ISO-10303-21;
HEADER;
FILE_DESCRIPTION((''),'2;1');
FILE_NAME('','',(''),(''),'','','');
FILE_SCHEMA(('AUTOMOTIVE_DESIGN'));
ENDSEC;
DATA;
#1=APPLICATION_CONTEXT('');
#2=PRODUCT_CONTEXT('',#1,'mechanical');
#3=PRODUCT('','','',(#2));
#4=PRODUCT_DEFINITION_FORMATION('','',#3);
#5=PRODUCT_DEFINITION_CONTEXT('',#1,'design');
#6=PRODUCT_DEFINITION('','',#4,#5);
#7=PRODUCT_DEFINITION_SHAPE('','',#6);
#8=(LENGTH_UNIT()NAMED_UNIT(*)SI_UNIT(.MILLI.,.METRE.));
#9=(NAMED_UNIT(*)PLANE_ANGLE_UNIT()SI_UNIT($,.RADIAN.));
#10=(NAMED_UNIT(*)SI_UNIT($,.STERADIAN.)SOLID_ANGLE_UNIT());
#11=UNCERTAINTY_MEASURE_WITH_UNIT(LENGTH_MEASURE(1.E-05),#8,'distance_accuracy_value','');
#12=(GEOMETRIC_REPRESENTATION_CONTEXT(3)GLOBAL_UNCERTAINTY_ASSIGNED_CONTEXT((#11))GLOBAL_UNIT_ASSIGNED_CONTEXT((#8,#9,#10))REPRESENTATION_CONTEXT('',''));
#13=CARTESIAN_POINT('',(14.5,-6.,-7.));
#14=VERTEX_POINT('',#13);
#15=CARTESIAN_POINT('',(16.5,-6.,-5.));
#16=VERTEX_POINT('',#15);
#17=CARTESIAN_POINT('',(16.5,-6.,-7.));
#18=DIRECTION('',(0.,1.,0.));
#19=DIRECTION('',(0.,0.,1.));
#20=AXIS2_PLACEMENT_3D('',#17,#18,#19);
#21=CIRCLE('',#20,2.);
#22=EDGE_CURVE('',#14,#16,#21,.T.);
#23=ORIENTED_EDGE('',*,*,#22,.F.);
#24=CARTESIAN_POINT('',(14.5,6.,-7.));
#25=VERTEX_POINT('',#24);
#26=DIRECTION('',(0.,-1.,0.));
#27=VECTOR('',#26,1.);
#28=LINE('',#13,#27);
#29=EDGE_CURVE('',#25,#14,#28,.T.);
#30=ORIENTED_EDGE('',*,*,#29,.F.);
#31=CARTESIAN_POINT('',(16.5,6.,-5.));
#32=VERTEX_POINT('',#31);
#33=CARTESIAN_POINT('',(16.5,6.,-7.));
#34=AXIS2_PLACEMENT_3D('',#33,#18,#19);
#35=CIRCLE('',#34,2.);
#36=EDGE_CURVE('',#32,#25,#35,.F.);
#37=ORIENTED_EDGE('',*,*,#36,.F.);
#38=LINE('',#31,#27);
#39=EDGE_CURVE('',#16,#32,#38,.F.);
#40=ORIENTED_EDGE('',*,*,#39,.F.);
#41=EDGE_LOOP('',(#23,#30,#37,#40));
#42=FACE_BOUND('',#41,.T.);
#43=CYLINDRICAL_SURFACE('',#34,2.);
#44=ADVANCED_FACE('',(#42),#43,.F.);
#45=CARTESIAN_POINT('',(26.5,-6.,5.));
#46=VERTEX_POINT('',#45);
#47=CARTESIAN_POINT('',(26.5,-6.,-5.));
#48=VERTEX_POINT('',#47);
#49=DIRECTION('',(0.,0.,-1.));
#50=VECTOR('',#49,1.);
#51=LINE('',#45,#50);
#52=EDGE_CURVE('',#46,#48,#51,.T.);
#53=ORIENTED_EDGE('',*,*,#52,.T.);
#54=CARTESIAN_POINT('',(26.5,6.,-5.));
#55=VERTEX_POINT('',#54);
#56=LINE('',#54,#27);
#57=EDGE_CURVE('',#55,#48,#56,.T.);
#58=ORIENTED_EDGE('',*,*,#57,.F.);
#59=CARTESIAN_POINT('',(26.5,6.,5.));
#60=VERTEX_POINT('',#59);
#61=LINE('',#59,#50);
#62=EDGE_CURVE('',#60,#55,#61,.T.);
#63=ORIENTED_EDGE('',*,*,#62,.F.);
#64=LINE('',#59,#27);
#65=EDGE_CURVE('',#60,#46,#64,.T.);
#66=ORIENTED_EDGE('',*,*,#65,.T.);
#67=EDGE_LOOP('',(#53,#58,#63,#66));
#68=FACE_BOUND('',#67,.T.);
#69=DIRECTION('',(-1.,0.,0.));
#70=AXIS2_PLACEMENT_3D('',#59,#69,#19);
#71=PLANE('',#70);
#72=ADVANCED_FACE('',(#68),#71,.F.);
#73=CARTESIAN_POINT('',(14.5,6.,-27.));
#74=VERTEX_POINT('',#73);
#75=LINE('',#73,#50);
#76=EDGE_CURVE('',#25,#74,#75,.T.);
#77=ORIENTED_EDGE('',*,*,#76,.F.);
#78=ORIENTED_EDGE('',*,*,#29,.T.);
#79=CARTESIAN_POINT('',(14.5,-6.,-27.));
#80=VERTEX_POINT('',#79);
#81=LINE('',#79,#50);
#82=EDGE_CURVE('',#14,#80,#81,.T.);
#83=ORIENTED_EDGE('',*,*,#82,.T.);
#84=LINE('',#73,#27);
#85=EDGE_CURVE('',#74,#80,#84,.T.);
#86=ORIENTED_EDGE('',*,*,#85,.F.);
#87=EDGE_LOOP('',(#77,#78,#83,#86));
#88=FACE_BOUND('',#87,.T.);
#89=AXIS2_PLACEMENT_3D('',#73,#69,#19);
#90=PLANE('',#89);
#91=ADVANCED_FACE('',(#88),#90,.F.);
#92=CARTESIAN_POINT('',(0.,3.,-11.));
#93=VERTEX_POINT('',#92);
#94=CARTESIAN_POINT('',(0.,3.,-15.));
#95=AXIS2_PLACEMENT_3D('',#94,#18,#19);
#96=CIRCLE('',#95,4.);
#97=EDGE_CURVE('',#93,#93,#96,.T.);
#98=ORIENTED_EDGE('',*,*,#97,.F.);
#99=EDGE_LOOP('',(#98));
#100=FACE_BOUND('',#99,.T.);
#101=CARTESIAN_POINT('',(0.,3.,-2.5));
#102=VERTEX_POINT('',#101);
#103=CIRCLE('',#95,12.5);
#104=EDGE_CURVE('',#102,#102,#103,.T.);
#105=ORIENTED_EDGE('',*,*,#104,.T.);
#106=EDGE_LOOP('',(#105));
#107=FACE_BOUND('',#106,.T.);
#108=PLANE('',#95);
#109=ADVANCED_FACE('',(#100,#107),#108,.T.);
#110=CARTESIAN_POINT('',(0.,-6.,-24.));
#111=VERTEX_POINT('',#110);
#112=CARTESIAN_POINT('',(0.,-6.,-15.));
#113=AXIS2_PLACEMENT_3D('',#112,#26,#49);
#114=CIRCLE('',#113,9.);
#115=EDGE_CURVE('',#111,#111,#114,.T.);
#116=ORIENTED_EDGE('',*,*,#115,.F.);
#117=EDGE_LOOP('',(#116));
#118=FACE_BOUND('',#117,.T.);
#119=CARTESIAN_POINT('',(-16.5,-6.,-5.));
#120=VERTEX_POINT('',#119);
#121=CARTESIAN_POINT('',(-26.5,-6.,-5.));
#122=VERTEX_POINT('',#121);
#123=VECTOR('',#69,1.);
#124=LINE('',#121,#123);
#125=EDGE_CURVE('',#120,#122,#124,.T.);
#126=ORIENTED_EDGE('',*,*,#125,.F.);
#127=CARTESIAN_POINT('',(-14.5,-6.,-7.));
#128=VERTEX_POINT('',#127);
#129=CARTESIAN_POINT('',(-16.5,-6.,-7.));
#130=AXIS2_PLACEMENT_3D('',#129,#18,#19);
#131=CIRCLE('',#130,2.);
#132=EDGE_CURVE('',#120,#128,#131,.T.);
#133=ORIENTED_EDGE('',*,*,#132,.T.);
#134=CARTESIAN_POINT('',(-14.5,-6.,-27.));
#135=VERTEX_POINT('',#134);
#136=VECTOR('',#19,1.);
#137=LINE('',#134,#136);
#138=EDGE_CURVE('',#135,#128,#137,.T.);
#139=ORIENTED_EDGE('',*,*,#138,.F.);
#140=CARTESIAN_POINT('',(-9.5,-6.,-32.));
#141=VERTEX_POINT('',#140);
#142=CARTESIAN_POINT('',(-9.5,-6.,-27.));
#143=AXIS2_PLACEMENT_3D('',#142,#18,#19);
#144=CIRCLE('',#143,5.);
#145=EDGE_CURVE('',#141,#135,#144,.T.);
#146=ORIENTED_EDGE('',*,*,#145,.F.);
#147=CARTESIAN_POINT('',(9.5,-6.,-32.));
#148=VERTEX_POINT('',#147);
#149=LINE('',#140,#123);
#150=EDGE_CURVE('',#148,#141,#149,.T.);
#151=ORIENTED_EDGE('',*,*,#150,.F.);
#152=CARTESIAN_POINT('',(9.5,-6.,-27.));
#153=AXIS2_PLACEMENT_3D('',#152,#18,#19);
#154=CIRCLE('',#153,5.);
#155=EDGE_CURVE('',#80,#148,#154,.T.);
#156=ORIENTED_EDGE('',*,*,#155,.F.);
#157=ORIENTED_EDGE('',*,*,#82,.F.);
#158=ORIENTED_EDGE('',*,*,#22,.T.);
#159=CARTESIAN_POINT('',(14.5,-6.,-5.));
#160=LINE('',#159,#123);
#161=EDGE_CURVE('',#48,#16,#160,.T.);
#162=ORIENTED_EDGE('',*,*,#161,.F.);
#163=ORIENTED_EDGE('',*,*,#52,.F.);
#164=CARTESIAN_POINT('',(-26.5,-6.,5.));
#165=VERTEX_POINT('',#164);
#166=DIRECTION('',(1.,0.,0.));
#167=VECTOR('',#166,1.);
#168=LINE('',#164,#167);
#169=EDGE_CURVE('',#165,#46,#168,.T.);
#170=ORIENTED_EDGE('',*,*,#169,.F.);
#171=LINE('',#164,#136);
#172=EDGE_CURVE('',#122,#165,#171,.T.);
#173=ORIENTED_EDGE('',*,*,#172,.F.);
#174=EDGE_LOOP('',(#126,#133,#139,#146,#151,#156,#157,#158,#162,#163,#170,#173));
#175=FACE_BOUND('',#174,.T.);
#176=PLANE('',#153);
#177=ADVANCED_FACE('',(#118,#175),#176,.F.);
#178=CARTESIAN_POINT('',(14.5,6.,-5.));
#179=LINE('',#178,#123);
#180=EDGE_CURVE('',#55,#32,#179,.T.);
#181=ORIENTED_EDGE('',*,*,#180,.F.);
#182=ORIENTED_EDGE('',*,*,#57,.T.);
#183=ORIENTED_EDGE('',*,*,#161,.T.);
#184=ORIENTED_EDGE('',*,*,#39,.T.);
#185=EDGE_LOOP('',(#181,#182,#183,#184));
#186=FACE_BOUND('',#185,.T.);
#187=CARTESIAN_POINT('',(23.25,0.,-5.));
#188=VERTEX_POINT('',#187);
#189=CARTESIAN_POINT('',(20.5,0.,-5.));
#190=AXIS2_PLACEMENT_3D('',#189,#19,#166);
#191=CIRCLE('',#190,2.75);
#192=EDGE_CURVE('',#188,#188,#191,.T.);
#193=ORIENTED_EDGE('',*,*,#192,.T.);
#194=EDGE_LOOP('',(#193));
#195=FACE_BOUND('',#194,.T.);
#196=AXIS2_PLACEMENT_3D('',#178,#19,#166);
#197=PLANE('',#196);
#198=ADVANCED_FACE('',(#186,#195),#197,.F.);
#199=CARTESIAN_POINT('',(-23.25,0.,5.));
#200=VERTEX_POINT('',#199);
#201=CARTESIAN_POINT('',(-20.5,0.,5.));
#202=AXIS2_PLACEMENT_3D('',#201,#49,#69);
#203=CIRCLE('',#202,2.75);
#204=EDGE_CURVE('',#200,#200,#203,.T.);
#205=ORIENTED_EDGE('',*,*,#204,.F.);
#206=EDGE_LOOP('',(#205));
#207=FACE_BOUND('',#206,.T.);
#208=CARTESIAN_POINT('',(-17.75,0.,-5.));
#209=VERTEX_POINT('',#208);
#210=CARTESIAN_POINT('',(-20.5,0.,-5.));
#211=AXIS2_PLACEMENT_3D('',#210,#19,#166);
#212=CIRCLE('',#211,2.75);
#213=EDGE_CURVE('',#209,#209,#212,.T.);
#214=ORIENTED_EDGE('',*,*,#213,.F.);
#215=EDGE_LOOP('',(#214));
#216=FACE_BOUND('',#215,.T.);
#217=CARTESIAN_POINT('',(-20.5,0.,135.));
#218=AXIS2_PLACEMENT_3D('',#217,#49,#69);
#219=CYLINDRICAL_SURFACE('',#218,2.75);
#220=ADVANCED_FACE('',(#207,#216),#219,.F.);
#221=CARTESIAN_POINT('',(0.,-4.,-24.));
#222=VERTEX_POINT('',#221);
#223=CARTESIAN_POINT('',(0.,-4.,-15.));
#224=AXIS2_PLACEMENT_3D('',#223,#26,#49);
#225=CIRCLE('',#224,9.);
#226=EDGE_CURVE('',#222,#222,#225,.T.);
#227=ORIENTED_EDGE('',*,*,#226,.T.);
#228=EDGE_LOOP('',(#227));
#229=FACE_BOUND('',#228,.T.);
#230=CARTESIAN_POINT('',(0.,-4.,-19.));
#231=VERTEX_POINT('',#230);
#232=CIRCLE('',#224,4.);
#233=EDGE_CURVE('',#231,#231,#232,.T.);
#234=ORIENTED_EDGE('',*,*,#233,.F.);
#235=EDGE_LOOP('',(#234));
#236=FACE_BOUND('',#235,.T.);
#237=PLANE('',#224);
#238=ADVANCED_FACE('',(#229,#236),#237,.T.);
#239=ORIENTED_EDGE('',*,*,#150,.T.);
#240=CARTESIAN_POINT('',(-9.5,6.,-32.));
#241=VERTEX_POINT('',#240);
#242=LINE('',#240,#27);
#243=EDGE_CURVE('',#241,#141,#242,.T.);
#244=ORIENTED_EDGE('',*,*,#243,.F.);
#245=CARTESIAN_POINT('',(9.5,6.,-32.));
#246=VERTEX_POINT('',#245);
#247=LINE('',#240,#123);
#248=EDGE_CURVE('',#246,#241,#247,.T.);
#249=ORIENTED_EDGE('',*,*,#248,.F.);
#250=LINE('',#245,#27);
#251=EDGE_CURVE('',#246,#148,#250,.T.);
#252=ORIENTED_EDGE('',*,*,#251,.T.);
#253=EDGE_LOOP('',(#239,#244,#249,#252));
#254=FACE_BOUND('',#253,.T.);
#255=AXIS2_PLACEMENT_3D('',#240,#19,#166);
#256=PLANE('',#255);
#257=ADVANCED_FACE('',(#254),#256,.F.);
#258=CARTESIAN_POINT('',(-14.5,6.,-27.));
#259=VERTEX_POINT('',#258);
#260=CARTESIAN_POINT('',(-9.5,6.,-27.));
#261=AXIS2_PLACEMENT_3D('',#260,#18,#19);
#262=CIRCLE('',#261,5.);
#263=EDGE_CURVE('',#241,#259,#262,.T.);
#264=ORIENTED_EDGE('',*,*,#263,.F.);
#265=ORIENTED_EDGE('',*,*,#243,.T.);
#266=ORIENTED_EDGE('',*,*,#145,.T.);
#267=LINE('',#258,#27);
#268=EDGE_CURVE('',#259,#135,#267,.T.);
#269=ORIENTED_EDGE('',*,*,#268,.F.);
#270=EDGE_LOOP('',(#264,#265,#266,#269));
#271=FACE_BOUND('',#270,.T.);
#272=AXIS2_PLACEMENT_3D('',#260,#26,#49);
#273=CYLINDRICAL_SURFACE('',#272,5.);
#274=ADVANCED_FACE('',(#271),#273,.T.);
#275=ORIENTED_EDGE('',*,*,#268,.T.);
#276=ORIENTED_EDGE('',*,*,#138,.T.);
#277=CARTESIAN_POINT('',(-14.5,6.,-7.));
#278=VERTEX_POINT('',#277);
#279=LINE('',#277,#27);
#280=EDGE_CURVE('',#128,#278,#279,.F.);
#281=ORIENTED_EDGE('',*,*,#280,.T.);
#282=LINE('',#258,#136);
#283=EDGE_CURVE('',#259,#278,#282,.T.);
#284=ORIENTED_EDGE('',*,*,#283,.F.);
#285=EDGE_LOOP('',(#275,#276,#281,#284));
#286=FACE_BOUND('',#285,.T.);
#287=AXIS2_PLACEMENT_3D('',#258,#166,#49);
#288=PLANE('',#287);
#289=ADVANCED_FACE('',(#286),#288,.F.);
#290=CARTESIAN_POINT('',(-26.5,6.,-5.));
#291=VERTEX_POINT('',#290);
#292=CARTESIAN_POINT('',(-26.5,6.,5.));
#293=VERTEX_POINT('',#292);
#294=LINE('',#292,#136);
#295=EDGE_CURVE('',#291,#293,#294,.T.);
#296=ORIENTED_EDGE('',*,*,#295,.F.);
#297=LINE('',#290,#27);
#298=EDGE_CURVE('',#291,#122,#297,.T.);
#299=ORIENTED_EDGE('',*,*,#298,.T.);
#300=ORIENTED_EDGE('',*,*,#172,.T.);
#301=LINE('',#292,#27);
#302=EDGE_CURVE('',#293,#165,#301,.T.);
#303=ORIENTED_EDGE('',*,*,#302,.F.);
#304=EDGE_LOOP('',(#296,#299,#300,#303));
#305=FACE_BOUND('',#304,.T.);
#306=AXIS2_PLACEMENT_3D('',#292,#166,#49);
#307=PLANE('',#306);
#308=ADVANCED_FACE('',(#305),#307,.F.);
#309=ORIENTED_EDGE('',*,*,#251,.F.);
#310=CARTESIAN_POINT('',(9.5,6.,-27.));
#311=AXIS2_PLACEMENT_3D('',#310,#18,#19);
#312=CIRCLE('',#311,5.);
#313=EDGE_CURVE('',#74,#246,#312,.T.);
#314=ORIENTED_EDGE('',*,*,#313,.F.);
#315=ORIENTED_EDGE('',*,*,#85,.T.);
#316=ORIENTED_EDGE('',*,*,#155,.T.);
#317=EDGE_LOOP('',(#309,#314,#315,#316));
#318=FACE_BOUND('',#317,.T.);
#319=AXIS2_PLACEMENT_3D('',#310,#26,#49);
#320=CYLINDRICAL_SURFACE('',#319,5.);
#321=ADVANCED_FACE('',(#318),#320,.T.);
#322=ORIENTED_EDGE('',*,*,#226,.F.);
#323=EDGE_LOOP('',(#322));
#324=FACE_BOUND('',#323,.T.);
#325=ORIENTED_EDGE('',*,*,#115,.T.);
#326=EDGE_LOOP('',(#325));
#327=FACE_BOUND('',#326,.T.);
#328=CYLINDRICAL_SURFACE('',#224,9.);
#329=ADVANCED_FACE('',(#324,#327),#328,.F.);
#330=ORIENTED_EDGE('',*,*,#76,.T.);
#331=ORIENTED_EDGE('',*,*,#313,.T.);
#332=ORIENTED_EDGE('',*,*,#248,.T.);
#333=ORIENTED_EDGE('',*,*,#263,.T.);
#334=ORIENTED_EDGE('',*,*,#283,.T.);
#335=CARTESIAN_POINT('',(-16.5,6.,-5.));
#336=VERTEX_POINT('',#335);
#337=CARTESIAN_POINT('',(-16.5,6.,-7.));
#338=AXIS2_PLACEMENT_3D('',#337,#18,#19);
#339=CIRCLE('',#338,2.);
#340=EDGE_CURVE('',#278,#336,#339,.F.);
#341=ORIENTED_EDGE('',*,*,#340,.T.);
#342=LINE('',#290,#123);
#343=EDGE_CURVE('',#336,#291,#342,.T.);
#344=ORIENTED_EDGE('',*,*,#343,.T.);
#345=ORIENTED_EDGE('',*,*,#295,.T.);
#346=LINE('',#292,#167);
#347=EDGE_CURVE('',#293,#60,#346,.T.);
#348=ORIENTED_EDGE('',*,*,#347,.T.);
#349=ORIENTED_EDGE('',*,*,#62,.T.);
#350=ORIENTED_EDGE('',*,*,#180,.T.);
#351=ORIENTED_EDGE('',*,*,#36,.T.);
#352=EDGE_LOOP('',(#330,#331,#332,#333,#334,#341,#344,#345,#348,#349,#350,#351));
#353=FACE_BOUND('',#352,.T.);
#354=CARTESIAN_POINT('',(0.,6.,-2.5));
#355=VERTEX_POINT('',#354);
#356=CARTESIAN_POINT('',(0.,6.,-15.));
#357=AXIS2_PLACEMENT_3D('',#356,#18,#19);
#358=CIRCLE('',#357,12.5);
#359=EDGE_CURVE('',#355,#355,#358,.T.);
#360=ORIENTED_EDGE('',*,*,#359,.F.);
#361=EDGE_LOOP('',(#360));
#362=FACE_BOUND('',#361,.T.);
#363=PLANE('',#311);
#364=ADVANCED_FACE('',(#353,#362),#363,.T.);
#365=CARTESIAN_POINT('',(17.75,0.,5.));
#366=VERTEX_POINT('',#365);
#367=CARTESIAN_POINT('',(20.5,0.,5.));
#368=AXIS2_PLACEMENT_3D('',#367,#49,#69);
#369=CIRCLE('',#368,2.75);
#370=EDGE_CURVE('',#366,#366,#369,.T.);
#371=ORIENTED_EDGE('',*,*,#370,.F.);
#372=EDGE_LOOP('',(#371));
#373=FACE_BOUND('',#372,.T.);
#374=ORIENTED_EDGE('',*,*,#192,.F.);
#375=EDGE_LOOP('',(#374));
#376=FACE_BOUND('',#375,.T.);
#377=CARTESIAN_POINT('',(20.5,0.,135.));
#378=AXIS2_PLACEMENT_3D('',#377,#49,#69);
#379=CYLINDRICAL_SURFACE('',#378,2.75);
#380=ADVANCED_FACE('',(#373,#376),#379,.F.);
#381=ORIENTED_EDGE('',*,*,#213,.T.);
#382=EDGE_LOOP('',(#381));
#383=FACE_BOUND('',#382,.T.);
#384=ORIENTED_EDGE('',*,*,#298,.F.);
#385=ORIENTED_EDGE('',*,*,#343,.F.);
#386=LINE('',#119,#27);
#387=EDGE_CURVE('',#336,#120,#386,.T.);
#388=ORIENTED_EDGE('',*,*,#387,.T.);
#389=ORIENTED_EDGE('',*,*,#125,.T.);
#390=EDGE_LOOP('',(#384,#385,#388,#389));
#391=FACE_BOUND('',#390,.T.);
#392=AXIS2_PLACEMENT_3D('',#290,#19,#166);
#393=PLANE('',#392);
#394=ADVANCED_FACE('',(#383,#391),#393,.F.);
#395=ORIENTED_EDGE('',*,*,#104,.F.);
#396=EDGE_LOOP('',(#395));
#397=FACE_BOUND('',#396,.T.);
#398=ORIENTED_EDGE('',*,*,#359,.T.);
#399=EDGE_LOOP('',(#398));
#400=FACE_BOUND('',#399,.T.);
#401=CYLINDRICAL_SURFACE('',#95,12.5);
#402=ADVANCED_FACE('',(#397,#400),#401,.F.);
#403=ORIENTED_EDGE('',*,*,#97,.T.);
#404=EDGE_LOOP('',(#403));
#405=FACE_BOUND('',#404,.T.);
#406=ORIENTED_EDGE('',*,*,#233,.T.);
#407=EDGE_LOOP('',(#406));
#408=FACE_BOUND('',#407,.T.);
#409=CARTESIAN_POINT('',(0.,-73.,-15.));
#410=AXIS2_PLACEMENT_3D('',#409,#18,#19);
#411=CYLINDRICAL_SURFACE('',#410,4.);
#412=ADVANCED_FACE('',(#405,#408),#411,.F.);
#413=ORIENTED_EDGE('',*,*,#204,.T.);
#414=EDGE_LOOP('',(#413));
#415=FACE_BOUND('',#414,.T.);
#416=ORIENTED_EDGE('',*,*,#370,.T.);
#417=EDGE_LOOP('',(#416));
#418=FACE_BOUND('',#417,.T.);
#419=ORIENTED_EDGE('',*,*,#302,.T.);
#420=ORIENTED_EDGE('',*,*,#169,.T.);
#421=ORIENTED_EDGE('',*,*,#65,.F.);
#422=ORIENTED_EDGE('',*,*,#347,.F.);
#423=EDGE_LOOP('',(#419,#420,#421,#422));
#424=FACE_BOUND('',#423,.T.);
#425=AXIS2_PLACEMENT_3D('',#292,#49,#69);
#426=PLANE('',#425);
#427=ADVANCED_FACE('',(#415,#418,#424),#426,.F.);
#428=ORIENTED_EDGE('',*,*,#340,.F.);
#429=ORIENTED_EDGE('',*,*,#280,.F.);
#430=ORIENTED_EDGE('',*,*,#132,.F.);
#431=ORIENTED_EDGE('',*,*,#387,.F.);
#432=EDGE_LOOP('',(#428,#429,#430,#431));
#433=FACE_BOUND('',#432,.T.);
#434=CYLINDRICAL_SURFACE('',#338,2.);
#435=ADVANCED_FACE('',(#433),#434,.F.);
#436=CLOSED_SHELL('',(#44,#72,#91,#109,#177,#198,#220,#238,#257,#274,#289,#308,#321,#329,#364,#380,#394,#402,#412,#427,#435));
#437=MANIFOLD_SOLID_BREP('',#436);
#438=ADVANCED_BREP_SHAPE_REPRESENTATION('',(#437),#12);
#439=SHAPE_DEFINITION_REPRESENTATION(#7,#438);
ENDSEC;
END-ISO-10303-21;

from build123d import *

# Parameters (mm, degrees)
EXTRUDE_1_DEPTH     = 6
FILLET_1_R          = 2
SKETCH_2_R          = 2.75
CUT_EXTRUDE_1_DEPTH = 140
SKETCH_3_R          = 9
CUT_EXTRUDE_2_DEPTH = 2
SKETCH_5_R          = 12.5
CUT_EXTRUDE_4_DEPTH = 3
SKETCH_6_R          = 4
CUT_EXTRUDE_5_DEPTH = 76


with BuildPart() as part:
    # 草图1 → 凸台-拉伸1 (new, symmetric)
    with BuildSketch(Plane(origin=(0, 0, 0), x_dir=(1, 0, 0), z_dir=(0, 1, 0))):
        with BuildLine():
            Line((14.5, 5), (26.5, 5))
            Line((26.5, 5), (26.5, -5))
            Line((26.5, -5), (-26.5, -5))
            Line((-26.5, -5), (-26.5, 5))
            Line((-26.5, 5), (-14.5, 5))
            Line((-14.5, 5), (-14.5, 27))
            ThreePointArc((-14.5, 27), (-13.035533906, 30.535533906), (-9.5, 32))
            Line((-9.5, 32), (9.5, 32))
            ThreePointArc((9.5, 32), (13.035533906, 30.535533906), (14.5, 27))
            Line((14.5, 27), (14.5, 5))
        make_face()
    extrude(amount=EXTRUDE_1_DEPTH, both=True)

    # 圆角1
    fillet_1_edges = [part.edges().sort_by_distance(p)[0] for p in [
        (-14.5, 0, -5),
        (14.5, 0, -5),
    ]]
    fillet(fillet_1_edges, radius=FILLET_1_R)

    # 草图2 → 切除-拉伸1 (cut, symmetric)
    with BuildSketch(Plane(origin=(0, 0, -5), x_dir=(-1, 0, 0), z_dir=(0, 0, -1))):
        with Locations((20.5, 0)):
            Circle(SKETCH_2_R)
        with Locations((-20.5, 0)):
            Circle(SKETCH_2_R)
    extrude(amount=CUT_EXTRUDE_1_DEPTH, both=True, mode=Mode.SUBTRACT)

    # 草图3 → 切除-拉伸2 (cut)
    with BuildSketch(Plane.XZ.offset(6)):
        with Locations(Location((0, -15, 0), (0, 0, 270))):
            Circle(SKETCH_3_R)
    extrude(amount=-CUT_EXTRUDE_2_DEPTH, mode=Mode.SUBTRACT)

    # 草图5 → 切除-拉伸4 (cut)
    with BuildSketch(Plane(origin=(0, 6, 0), x_dir=(1, 0, 0), z_dir=(0, 1, 0))):
        with Locations(Location((0, 15, 0), (0, 0, 270))):
            Circle(SKETCH_5_R)
    extrude(amount=-CUT_EXTRUDE_4_DEPTH, mode=Mode.SUBTRACT)

    # 草图6 → 切除-拉伸5 (cut)
    with BuildSketch(Plane(origin=(0, 3, 0), x_dir=(1, 0, 0), z_dir=(0, 1, 0))):
        with Locations(Location((0, 15, 0), (0, 0, 270))):
            Circle(SKETCH_6_R)
    extrude(amount=-CUT_EXTRUDE_5_DEPTH, mode=Mode.SUBTRACT)


solid = part.part
